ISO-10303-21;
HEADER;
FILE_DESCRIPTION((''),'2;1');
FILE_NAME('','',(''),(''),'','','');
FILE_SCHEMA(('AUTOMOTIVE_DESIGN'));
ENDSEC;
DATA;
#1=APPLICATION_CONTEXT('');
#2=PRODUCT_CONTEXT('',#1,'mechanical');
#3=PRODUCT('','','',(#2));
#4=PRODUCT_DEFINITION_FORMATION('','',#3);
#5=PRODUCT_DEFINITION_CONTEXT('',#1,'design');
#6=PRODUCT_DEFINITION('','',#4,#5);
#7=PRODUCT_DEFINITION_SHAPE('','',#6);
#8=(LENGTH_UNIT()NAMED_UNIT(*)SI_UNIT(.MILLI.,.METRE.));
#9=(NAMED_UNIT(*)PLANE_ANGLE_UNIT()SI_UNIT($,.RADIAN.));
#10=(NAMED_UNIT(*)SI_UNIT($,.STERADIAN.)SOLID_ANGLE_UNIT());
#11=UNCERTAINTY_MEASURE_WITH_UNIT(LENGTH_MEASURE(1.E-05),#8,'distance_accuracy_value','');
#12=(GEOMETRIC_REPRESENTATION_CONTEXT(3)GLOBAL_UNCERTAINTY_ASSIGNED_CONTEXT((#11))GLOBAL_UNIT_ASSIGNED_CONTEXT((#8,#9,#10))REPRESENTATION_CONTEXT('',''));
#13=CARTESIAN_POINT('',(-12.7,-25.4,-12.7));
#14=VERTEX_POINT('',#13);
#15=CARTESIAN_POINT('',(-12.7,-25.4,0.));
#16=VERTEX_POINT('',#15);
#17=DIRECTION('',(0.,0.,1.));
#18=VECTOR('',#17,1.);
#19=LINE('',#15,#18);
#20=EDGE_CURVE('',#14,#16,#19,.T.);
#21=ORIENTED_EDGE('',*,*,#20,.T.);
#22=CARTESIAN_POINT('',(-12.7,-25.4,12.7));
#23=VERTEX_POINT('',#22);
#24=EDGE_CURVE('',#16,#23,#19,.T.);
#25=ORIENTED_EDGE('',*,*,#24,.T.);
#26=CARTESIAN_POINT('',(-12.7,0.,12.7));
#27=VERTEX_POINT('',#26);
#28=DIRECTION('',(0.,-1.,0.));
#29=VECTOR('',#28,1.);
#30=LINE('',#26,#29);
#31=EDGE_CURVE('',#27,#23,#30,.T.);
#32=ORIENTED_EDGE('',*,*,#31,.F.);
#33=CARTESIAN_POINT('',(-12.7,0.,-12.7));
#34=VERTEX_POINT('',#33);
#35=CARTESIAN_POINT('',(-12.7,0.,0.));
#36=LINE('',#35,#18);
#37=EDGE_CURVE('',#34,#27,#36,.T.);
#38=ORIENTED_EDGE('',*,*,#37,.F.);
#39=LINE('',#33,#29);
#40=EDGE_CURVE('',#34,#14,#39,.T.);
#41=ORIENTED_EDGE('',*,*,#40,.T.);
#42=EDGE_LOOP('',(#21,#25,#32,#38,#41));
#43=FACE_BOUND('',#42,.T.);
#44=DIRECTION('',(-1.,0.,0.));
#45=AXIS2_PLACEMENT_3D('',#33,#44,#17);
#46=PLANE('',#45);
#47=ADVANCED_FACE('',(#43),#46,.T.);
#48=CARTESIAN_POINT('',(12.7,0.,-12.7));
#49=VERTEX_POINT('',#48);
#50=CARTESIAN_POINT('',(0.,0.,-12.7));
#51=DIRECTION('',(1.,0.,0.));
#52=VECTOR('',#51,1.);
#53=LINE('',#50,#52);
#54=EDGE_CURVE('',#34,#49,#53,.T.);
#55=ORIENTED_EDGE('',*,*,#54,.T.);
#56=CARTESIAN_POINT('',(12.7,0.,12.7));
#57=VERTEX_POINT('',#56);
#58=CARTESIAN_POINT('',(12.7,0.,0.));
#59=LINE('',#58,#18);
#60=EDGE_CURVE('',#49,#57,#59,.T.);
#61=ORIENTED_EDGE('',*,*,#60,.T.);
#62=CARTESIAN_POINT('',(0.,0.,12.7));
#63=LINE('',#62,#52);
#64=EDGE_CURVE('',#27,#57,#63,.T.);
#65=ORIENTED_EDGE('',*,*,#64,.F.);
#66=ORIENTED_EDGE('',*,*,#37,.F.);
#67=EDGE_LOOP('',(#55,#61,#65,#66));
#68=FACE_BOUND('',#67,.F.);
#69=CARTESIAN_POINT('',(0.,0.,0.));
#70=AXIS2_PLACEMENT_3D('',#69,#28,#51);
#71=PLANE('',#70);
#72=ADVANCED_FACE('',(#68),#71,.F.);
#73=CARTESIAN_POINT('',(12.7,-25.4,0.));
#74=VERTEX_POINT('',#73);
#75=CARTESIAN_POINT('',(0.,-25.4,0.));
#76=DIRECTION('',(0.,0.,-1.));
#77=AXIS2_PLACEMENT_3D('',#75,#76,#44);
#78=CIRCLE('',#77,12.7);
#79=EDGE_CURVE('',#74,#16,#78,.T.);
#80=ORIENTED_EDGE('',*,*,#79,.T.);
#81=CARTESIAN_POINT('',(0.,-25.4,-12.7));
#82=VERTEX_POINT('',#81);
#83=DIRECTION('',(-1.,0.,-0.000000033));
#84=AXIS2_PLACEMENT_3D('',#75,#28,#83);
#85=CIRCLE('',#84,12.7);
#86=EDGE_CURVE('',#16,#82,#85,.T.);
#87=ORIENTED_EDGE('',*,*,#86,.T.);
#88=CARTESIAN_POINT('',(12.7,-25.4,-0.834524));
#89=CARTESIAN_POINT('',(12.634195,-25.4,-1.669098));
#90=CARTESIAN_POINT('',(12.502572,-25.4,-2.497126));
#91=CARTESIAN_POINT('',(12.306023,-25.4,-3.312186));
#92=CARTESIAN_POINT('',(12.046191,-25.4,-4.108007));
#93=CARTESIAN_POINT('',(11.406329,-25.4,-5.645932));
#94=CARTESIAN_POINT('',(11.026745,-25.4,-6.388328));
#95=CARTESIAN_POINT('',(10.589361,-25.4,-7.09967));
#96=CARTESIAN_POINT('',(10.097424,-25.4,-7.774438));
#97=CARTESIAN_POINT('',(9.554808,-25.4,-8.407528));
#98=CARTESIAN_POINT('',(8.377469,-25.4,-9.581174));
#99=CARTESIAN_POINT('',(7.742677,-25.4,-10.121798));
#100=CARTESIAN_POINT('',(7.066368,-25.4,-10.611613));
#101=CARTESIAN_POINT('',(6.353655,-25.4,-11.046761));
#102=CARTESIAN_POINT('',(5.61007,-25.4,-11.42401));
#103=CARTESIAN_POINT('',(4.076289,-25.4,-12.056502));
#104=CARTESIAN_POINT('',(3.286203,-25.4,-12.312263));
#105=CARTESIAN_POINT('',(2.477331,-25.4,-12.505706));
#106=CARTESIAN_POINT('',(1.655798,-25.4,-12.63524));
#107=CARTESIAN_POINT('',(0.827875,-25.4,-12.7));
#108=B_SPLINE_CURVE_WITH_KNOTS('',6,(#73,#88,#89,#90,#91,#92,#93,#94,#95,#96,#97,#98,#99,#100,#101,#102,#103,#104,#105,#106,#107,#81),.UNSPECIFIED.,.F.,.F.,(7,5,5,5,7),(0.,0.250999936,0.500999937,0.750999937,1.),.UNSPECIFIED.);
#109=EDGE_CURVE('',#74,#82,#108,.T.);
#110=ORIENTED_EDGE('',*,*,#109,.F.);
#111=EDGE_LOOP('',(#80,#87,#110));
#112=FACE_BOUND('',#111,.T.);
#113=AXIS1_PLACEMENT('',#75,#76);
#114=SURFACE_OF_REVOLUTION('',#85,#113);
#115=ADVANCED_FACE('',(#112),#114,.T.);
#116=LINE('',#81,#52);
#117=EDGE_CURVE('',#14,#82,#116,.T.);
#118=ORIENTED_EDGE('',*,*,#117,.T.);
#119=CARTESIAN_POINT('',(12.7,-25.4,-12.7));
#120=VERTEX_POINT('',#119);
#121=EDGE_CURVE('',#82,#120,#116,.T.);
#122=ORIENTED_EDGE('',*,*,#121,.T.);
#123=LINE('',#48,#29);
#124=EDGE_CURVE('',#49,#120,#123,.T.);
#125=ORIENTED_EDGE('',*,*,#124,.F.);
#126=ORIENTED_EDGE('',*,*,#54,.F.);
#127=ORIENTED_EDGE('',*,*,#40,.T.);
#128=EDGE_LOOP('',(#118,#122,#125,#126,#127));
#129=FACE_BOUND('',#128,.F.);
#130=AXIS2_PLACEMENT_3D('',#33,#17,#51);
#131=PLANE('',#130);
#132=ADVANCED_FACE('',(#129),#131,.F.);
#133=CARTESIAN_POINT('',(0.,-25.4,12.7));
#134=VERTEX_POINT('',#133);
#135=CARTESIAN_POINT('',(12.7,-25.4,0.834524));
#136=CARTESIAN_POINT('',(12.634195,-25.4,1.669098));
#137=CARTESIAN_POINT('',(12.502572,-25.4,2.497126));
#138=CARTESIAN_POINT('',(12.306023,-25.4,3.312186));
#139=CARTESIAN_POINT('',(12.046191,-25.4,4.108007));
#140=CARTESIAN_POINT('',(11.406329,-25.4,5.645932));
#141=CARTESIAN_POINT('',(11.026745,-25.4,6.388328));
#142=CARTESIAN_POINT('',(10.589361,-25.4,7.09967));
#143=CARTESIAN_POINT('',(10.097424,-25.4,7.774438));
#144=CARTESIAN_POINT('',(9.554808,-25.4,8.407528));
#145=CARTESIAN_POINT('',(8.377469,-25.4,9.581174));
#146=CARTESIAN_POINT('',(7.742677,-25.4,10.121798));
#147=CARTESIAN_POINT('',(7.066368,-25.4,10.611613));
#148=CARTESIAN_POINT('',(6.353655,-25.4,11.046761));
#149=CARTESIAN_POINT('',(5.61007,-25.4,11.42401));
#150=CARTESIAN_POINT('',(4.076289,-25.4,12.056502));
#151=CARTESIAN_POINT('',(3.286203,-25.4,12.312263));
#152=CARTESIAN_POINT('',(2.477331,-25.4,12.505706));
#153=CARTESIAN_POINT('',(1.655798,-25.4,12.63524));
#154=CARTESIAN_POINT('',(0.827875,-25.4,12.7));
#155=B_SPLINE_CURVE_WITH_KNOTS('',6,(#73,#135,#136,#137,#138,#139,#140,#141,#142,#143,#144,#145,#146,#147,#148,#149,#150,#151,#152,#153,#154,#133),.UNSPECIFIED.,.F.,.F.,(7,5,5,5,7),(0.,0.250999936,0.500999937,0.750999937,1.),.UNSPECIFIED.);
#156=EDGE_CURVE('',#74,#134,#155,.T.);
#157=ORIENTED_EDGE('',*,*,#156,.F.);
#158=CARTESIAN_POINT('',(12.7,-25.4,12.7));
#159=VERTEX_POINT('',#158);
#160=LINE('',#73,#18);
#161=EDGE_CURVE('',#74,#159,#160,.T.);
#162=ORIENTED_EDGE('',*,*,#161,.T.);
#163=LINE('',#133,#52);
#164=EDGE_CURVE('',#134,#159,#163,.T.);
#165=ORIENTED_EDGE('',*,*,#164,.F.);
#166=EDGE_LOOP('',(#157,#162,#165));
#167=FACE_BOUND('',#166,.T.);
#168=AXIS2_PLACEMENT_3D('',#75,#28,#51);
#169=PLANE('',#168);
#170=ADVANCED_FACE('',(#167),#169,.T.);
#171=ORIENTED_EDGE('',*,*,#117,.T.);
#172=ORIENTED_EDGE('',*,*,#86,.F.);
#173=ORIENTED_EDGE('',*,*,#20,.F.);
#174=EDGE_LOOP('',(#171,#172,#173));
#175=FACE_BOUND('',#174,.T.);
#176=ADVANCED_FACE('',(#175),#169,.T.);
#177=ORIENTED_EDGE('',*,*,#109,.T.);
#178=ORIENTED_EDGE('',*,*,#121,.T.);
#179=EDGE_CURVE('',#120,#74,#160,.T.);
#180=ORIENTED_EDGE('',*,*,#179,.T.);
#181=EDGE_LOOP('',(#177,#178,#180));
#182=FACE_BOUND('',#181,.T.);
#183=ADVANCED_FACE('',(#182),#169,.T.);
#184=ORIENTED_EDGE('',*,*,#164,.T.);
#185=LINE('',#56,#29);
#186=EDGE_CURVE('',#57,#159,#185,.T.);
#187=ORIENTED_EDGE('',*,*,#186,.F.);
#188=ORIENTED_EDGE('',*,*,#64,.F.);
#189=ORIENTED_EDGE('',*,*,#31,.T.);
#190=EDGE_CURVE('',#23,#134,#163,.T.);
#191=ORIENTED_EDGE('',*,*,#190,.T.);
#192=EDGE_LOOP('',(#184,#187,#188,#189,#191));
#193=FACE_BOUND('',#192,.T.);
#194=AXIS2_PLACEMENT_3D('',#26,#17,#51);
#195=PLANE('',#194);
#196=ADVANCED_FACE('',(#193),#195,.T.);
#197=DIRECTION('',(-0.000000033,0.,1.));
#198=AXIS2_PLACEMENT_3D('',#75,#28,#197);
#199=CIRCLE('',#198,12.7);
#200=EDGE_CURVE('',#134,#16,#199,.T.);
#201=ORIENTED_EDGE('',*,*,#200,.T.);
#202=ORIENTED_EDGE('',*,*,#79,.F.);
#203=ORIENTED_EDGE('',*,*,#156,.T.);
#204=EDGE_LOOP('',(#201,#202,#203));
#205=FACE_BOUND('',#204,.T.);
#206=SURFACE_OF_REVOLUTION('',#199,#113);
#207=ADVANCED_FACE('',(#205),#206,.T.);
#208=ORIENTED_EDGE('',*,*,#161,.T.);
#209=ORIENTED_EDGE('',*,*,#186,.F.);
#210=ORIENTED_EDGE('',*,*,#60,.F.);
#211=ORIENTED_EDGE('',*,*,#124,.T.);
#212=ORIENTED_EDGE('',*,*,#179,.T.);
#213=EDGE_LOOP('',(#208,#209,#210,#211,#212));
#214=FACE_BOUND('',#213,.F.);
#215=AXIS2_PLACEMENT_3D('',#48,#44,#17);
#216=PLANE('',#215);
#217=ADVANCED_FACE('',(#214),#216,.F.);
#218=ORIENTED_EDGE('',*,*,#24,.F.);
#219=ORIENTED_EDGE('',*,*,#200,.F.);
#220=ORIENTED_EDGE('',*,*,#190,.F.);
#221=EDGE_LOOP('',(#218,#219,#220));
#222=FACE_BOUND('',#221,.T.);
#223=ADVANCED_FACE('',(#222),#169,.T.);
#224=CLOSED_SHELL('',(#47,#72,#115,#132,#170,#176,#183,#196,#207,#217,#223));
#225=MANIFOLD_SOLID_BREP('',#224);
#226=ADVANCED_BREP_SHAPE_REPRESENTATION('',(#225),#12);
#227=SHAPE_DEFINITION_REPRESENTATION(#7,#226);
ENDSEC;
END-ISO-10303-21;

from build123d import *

# Parameters (mm, degrees)
F0_W     = 25.4
F0_H     = 25.4
F1_DEPTH = 25.4


with BuildPart() as f1:
    # F0 (on Front) → F1 (new body)
    with BuildSketch(Plane.XZ):
        Rectangle(F0_W, F0_H)
    extrude(amount=F1_DEPTH)

    # F2 (on face) → F3 (revolve)
    with BuildSketch(Plane.XZ.offset(25.4)):
        with BuildLine():
            Line((0, -12.7), (0, 12.7))
            ThreePointArc((0, 12.7), (-8.980256, 8.980256), (-12.7, 0))
            ThreePointArc((-12.7, 0), (-8.980256, -8.980256), (0, -12.7))
        make_face()
    revolve(axis=Axis((0, -25.4, 0), (0, 0, -1)))


solid = f1.part
